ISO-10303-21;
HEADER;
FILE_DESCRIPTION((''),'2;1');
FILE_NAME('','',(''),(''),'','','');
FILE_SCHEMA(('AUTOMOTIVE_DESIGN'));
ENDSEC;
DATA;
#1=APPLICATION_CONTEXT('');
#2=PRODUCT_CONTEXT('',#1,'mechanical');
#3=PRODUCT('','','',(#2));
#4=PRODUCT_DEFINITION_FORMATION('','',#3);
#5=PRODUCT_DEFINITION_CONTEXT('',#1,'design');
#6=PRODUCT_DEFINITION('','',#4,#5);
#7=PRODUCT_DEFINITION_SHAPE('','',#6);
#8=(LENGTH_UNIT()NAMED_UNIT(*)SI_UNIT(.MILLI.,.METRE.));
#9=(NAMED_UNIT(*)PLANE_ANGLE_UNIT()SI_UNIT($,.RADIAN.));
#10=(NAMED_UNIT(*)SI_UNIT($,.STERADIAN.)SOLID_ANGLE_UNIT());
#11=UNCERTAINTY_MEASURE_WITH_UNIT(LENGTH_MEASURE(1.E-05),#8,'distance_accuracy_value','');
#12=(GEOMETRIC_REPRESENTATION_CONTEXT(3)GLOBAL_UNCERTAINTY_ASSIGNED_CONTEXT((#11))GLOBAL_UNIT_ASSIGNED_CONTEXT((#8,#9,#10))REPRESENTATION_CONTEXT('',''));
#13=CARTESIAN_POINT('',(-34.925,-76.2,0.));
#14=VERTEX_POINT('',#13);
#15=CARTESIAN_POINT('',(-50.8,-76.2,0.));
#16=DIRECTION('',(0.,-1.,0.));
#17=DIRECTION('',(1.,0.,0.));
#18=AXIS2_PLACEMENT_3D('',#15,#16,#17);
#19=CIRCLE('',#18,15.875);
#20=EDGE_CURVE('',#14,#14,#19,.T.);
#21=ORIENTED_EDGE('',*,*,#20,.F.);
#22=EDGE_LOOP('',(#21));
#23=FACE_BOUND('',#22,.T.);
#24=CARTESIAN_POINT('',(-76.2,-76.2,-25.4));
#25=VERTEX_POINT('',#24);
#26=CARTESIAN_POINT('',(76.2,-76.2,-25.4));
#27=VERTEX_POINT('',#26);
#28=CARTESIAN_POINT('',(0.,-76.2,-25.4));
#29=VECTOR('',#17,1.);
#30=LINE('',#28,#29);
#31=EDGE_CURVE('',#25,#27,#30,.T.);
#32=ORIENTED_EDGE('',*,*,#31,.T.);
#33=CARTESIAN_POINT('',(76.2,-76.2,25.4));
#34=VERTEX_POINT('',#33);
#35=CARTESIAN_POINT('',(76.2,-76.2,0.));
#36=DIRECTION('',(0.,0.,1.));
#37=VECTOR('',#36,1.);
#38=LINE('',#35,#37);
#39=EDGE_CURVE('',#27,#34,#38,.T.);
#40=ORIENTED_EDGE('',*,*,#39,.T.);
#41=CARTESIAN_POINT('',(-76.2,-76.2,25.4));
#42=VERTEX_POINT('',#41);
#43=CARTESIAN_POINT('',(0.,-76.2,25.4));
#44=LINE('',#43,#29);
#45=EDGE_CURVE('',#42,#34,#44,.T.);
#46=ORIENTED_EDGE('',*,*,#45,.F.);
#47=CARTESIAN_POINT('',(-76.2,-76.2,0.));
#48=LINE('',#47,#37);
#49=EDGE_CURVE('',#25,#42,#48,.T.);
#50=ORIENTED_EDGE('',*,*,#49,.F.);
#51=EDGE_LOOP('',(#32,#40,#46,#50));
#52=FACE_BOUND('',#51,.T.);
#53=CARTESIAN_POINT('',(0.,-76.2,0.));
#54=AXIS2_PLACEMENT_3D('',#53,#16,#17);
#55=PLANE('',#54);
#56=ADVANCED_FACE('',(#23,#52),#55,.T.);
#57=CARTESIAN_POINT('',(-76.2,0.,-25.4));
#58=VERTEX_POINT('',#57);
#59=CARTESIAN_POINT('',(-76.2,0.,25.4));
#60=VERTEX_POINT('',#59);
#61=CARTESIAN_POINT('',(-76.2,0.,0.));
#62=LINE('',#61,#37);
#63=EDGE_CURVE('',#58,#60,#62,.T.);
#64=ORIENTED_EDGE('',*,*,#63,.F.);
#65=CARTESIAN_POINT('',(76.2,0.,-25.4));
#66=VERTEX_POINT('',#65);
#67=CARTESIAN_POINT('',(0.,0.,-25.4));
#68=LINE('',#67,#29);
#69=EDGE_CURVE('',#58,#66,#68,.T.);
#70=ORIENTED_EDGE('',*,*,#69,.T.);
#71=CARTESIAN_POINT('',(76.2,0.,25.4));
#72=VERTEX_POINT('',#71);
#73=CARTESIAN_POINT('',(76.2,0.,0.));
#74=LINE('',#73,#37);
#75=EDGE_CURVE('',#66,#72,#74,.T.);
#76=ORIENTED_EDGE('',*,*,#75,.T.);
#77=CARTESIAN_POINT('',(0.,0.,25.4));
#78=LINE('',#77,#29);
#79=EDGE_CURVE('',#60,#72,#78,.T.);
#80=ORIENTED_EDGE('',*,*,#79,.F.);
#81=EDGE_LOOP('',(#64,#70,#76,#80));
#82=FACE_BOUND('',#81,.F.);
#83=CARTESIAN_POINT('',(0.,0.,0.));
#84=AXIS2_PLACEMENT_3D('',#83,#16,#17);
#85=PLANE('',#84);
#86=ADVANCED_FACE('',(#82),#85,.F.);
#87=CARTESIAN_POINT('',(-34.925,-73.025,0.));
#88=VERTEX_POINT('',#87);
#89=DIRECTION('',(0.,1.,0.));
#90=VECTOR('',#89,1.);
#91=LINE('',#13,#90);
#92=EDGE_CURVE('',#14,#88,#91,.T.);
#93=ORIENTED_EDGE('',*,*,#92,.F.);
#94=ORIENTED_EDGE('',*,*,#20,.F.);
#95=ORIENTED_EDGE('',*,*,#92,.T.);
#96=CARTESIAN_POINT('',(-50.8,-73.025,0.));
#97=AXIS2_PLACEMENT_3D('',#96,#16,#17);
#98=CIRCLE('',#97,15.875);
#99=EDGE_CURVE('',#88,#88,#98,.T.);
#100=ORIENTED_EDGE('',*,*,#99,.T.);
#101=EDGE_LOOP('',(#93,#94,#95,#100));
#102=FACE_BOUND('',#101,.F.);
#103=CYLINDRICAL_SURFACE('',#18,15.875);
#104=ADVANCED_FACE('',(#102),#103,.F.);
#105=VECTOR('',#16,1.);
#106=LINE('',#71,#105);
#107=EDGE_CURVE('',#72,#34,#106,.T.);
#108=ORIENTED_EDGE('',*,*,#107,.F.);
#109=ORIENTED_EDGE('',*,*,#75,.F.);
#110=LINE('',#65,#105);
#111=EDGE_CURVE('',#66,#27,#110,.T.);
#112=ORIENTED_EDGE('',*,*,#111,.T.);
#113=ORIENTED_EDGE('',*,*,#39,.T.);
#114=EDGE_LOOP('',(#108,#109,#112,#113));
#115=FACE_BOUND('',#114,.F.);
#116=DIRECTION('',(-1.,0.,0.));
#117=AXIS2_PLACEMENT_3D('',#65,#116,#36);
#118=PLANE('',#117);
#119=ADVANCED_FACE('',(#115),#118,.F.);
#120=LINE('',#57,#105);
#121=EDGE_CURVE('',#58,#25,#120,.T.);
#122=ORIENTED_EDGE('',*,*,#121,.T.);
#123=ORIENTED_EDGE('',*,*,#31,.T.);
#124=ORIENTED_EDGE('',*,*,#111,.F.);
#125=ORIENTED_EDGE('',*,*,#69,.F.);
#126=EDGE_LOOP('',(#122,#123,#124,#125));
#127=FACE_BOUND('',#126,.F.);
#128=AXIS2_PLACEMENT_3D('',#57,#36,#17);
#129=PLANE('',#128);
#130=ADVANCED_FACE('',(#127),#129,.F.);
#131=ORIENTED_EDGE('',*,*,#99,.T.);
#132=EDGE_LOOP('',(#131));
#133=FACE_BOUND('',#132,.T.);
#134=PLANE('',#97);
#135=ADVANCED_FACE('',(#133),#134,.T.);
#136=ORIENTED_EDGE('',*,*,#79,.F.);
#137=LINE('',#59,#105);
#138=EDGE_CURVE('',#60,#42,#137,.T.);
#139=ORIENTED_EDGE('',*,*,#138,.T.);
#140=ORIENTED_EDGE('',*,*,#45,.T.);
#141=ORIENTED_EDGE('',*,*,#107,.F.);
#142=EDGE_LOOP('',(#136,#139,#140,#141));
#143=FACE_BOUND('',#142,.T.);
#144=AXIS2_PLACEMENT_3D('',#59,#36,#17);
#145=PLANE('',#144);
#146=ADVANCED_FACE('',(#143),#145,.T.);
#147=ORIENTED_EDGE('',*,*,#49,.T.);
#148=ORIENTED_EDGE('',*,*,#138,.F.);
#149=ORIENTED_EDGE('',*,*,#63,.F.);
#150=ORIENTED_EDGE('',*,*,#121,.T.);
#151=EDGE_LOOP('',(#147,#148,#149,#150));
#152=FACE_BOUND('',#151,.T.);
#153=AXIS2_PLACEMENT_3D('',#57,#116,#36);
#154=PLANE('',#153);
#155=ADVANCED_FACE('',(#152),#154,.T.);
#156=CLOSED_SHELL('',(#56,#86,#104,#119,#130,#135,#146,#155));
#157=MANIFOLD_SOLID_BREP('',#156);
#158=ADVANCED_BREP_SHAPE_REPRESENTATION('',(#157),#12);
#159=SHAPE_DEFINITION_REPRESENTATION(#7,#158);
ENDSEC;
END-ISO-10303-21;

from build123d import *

# Parameters (mm, degrees)
F0_W     = 152.4
F0_H     = 50.8
F1_DEPTH = 76.2
F3_DEPTH = 3.175


with BuildPart() as f1:
    # F0 (on Front) → F1 (new body)
    with BuildSketch(Plane.XZ):
        Rectangle(F0_W, F0_H)
    extrude(amount=F1_DEPTH)

    # F2 (on face) → F3 (cut)
    with BuildSketch(Plane.XZ.offset(76.2)):
        with BuildLine():
            ThreePointArc((-66.675, 0), (-50.8, -15.875), (-34.925, 0))
            ThreePointArc((-34.925, 0), (-50.8, 15.875), (-66.675, 0))
        make_face()
    extrude(amount=-F3_DEPTH, mode=Mode.SUBTRACT)


solid = f1.part
